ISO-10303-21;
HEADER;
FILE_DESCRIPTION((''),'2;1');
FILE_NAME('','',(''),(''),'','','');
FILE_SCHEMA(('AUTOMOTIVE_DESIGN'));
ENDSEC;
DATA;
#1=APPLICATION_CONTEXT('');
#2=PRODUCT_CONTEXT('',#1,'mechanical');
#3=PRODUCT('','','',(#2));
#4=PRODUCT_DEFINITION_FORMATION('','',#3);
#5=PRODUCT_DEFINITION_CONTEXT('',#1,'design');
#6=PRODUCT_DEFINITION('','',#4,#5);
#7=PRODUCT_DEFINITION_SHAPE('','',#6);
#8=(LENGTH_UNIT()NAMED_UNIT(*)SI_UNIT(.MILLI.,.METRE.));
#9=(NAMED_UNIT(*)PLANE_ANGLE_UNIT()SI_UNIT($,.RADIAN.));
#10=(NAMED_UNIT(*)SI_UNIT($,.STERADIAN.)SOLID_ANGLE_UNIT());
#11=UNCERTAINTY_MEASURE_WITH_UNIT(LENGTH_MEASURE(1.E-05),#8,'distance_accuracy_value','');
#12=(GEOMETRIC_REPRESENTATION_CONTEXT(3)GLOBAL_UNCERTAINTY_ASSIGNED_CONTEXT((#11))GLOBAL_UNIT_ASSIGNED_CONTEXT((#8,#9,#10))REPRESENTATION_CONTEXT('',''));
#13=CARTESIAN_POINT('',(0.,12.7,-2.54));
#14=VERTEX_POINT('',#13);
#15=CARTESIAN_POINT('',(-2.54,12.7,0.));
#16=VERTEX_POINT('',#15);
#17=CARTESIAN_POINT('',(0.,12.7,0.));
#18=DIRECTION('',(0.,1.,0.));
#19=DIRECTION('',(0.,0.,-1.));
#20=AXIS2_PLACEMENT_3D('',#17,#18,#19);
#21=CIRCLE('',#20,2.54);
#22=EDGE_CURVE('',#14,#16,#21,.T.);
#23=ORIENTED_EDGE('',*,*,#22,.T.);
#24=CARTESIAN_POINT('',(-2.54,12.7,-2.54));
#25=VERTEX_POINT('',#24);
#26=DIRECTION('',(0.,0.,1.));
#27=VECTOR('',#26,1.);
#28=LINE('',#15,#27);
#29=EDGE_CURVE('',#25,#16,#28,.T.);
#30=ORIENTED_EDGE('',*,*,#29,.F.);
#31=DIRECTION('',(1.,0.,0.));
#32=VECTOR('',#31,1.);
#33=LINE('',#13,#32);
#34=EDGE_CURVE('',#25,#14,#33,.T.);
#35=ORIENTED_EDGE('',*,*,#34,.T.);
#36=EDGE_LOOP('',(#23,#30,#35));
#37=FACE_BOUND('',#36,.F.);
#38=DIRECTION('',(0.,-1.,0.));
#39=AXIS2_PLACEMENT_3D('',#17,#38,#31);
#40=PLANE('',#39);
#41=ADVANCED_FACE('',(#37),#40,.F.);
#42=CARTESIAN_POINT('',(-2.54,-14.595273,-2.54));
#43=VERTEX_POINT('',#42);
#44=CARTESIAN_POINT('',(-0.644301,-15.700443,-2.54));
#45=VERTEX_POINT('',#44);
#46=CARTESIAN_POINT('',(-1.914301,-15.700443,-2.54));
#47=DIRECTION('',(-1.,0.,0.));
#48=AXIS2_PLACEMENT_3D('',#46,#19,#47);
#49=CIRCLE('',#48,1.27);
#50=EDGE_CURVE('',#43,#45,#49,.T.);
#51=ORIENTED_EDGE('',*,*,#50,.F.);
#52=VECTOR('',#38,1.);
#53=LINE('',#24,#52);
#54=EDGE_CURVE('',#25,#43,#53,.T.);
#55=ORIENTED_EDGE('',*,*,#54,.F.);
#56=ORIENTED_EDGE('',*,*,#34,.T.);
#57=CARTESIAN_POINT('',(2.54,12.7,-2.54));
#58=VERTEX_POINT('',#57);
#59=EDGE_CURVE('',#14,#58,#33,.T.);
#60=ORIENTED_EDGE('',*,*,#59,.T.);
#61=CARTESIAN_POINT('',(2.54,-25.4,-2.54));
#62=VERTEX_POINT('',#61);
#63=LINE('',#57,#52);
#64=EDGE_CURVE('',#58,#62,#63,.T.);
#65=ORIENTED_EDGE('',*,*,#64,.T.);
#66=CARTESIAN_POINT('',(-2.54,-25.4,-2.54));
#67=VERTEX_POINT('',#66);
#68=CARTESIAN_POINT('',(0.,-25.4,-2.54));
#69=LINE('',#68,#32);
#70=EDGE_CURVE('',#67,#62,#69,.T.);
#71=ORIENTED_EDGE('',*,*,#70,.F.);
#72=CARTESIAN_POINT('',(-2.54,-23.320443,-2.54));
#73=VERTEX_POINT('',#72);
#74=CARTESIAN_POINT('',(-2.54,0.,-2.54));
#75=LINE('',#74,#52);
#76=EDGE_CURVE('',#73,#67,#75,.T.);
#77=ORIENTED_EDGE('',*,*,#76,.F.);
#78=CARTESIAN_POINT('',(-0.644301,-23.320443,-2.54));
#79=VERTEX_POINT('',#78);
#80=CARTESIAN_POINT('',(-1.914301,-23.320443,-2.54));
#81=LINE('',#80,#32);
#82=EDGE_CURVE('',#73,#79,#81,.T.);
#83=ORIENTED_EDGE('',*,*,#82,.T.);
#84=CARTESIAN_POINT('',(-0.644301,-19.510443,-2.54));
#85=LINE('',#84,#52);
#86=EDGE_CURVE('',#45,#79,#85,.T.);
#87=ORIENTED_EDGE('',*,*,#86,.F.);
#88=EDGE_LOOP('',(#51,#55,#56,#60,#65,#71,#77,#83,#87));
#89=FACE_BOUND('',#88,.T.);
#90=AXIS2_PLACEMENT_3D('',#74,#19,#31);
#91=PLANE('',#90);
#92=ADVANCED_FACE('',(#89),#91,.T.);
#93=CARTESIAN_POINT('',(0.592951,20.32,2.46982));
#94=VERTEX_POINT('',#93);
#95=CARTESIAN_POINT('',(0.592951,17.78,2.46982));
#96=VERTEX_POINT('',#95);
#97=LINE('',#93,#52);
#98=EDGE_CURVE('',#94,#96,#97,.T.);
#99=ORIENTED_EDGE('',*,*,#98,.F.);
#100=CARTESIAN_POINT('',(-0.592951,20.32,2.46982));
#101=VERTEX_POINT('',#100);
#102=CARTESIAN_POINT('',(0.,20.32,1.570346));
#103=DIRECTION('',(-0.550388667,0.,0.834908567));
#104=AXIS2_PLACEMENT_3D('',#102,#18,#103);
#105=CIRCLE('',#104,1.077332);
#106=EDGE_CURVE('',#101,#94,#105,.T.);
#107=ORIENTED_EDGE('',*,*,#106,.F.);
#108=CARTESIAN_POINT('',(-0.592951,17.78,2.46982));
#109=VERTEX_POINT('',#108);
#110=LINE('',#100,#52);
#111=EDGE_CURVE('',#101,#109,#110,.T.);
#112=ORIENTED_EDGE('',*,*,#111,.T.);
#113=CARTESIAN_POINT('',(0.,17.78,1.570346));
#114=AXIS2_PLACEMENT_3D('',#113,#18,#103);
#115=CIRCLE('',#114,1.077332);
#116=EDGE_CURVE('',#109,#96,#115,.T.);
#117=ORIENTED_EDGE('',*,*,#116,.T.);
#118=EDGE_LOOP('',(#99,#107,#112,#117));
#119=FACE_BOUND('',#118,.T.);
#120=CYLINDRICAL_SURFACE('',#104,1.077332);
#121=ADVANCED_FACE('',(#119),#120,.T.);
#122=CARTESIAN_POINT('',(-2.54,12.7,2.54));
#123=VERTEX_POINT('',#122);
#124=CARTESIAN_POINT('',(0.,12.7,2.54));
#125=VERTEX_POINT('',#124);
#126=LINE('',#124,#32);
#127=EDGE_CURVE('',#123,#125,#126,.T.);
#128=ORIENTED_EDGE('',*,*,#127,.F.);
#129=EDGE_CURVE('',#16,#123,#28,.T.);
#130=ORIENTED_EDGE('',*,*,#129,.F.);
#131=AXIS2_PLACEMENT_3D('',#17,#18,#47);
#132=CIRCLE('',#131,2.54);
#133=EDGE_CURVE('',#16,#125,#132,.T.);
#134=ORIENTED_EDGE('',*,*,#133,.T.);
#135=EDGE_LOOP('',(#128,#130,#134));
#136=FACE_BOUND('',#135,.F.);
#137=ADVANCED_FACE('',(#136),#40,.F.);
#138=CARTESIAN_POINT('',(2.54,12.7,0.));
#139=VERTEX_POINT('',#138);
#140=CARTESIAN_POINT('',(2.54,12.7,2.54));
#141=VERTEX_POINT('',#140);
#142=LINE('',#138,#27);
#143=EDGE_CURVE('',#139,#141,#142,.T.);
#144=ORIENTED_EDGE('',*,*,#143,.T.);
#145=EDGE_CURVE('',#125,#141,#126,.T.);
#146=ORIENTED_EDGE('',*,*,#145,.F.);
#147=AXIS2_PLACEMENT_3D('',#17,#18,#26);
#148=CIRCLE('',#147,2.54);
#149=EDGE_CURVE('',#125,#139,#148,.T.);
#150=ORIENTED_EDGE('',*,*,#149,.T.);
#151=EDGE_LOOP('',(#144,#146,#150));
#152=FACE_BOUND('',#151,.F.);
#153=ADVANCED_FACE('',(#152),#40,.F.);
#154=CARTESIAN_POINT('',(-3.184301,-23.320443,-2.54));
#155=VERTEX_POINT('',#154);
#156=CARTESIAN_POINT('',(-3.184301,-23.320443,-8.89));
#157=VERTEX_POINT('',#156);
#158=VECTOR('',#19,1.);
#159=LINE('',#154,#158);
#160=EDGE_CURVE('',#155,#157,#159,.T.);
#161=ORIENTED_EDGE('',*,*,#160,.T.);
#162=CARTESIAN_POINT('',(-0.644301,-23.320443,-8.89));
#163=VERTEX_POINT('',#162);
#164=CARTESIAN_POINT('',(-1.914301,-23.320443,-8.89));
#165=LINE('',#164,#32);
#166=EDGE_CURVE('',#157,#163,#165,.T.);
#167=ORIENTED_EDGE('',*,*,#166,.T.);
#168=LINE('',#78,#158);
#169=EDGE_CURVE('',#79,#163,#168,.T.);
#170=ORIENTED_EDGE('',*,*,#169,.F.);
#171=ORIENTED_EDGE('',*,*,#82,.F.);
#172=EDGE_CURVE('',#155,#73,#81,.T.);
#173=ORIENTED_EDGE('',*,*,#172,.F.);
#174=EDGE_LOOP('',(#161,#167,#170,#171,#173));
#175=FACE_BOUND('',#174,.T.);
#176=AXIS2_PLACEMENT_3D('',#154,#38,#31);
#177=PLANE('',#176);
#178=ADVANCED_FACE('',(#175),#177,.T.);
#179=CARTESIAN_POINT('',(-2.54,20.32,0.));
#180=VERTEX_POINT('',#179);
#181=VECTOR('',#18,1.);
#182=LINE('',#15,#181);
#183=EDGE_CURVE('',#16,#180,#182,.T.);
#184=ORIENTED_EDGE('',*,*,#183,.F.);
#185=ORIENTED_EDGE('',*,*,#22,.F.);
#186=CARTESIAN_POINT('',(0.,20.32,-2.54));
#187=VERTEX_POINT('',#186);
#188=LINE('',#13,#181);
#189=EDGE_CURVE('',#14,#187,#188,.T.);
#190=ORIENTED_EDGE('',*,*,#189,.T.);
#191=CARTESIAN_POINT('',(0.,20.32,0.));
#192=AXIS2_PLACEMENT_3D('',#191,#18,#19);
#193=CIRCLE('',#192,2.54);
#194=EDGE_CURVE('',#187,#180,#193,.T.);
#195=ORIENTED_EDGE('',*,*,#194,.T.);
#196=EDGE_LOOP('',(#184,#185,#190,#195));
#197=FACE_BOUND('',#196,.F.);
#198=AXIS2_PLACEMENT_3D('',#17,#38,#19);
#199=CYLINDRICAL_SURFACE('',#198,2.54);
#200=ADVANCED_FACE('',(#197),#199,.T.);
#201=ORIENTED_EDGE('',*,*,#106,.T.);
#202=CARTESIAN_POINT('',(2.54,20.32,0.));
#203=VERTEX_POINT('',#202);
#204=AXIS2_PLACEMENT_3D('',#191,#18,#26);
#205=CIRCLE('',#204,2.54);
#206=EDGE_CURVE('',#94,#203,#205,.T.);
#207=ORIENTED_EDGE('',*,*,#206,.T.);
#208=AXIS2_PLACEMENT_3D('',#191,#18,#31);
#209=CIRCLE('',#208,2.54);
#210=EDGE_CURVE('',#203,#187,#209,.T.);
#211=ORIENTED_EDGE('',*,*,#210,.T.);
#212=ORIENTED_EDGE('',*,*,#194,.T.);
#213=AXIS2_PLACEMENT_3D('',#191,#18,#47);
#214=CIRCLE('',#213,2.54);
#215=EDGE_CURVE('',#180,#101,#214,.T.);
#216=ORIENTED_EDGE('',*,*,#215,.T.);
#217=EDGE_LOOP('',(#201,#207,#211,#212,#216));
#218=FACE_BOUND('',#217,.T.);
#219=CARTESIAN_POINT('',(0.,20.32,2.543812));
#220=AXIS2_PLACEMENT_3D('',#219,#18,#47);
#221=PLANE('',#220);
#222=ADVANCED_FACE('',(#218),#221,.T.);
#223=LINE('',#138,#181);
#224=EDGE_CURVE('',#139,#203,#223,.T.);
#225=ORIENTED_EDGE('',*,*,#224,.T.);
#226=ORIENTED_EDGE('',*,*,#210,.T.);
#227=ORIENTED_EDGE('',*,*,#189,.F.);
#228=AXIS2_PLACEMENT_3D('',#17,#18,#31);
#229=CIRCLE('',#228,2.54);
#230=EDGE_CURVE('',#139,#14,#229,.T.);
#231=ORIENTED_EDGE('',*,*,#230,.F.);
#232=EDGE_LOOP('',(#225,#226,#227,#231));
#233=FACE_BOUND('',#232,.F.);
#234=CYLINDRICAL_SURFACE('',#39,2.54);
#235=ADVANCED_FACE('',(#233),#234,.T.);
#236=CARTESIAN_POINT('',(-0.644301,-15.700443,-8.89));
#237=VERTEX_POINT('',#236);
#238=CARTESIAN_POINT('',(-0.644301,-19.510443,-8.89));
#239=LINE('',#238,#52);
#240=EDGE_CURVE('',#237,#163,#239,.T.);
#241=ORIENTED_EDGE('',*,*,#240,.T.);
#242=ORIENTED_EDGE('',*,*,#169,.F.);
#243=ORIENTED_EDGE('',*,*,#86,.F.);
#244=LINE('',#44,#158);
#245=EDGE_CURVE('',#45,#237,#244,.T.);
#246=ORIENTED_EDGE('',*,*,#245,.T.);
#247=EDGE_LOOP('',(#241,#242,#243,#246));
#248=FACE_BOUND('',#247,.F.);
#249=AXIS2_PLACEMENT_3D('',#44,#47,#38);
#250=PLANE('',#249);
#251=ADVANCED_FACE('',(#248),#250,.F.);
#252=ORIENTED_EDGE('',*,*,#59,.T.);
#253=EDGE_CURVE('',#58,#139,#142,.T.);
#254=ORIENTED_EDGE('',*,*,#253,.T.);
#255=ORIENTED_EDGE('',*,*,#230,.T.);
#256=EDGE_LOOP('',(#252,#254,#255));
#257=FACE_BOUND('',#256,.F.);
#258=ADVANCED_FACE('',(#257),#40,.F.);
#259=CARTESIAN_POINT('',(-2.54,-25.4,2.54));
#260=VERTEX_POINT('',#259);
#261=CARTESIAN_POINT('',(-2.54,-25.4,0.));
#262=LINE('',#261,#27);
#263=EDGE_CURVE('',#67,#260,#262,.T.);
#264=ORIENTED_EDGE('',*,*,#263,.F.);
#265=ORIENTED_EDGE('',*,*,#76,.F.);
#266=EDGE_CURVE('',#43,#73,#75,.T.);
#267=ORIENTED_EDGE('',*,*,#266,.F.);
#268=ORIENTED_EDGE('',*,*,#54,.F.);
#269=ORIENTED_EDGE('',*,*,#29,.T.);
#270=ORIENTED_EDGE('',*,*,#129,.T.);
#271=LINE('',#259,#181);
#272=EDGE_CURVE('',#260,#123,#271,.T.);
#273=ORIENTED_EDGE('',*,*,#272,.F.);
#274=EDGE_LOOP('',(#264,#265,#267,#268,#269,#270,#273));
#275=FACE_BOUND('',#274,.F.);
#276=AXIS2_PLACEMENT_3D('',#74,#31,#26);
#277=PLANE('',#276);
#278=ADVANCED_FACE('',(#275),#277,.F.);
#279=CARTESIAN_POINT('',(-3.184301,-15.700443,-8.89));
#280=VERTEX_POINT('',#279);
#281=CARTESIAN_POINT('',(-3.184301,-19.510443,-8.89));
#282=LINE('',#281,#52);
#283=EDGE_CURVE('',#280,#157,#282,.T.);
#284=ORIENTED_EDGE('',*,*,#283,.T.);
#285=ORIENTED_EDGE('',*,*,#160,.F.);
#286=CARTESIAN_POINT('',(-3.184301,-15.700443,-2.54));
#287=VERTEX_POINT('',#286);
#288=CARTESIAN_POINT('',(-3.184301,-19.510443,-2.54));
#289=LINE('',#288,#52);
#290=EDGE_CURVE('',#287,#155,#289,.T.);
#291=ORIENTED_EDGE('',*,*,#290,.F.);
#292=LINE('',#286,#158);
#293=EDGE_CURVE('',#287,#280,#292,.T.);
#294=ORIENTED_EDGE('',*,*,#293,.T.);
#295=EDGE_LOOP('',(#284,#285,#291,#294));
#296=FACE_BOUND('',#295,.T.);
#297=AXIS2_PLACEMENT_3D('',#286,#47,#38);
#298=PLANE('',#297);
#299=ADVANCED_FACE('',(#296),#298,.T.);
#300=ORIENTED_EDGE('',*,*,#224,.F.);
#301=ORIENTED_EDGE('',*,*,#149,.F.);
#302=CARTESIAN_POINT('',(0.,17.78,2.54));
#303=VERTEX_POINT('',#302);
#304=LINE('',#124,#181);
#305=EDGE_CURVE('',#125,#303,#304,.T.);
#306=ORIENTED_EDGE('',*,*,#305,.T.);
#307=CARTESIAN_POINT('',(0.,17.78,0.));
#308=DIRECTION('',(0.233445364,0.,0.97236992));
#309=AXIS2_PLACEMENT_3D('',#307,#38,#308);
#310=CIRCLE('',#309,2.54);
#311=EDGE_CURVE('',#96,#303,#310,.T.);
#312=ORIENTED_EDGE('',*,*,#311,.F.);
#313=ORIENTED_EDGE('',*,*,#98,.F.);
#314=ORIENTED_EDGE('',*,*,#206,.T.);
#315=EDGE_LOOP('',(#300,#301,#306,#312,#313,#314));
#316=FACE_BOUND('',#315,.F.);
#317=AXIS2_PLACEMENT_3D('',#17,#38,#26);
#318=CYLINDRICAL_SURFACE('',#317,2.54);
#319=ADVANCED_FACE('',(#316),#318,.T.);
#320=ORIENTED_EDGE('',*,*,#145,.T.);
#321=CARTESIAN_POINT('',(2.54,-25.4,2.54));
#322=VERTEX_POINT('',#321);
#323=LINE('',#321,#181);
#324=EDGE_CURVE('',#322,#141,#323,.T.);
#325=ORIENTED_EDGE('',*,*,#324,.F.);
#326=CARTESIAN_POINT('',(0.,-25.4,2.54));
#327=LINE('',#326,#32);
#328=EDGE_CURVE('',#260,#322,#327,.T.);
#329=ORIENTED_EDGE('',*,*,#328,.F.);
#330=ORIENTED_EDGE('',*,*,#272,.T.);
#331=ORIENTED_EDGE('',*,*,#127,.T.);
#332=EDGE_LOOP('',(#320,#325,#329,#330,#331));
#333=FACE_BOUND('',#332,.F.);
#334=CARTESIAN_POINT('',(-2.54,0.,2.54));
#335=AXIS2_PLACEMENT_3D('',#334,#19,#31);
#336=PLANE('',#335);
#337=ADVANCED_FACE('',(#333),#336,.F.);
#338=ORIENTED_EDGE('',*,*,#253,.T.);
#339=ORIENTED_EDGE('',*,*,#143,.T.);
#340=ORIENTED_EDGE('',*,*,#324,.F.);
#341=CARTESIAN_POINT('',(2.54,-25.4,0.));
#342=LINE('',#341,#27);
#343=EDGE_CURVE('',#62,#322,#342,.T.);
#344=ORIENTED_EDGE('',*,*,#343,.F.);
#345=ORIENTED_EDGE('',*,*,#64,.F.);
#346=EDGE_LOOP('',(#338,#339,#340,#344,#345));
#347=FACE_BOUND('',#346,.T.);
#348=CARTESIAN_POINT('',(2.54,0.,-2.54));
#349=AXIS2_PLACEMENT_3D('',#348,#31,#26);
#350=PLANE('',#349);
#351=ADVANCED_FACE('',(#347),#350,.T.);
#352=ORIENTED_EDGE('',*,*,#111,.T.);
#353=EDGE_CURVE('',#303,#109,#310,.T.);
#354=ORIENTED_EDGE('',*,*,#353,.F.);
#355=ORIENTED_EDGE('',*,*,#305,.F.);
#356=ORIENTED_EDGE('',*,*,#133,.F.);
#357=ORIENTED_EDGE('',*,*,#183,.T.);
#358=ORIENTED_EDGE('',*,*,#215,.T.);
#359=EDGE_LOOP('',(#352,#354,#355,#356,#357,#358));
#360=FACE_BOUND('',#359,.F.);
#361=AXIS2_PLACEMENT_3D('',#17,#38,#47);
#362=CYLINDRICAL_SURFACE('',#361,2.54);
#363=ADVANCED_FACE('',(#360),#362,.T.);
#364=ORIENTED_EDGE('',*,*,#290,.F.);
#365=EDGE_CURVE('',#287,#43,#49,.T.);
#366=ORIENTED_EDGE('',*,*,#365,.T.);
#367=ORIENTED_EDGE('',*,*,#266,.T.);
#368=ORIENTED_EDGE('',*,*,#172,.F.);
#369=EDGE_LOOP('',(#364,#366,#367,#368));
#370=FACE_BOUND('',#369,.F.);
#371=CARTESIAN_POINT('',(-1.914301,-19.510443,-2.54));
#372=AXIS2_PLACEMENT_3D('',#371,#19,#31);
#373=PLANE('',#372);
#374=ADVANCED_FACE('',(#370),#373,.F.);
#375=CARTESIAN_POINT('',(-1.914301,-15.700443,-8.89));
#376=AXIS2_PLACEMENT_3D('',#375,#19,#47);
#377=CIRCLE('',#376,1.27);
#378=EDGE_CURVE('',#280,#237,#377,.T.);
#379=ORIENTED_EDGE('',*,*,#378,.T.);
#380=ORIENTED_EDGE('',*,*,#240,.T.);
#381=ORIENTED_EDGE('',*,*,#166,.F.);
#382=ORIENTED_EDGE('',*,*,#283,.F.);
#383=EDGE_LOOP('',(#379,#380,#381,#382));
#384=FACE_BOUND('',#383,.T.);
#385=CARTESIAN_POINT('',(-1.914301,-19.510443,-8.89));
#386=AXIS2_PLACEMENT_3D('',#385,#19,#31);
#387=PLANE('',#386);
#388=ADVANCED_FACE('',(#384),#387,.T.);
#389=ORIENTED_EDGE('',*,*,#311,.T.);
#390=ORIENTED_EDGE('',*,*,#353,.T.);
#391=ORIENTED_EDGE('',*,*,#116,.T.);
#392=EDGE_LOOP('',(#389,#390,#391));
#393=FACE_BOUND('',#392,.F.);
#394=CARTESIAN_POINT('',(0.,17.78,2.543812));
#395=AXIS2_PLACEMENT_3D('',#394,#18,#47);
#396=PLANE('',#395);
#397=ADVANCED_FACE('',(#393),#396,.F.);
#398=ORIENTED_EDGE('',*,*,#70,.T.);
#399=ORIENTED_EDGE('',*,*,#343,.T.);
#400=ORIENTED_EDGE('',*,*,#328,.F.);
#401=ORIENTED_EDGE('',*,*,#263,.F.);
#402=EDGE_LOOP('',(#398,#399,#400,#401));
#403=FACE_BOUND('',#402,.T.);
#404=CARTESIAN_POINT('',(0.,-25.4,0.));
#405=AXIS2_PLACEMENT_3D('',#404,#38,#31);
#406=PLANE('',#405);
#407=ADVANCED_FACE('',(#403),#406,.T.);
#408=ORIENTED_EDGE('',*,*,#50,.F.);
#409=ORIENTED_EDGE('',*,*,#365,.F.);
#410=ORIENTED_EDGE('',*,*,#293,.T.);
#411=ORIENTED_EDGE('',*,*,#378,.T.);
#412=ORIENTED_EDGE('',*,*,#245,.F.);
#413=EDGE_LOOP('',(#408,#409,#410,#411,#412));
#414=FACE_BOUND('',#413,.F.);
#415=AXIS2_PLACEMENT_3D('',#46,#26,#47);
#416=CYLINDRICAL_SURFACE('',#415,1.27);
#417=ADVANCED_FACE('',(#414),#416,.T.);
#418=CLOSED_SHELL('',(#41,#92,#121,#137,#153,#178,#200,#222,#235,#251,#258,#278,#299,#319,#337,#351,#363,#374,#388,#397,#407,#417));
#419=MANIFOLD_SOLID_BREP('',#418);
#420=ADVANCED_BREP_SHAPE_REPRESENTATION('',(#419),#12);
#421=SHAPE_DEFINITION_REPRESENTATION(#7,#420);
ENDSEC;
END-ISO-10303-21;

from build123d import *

# Parameters (mm, degrees)
F0_W     = 5.08
F0_H     = 5.08
F1_DEPTH = 25.4
F2_W     = 2.54
F2_H     = 7.62
F3_DEPTH = 6.35
F4_DEPTH = 12.7
F6_DEPTH = 7.62
F8_DEPTH = 2.54


with BuildPart() as f1:
    # F0 (on Front) → F1 (new body)
    with BuildSketch(Plane.XZ):
        Rectangle(F0_W, F0_H)
    extrude(amount=F1_DEPTH)

    # F2 (on face) → F3 (join)
    with BuildSketch(Plane(origin=(0, 0, -2.54), x_dir=(1, 0, 0), z_dir=(0, 0, -1))):
        with Locations((-1.9143006529, 19.5104427957)):
            Rectangle(F2_W, F2_H)
        with BuildLine():
            Line((-0.6443006529, 15.7004427957), (-3.1843006529, 15.7004427957))
            ThreePointArc((-3.1843006529, 15.7004427957), (-1.9143006529, 14.4304427957), (-0.6443006529, 15.7004427957))
        make_face()
    extrude(amount=F3_DEPTH)

    # F4 (add): a face of the model
    f4_faces = [f1.faces().sort_by_distance(p)[0] for p in [
        (0, 0, 0),
    ]]
    extrude(f4_faces, amount=F4_DEPTH)

    # F5 (on face) → F6 (join)
    with BuildSketch(Plane(origin=(0, 12.7, 0), x_dir=(-1, 0, 0), z_dir=(0, 1, 0))):
        with BuildLine():
            ThreePointArc((0, -2.54), (1.7960512242, -1.7960512242), (2.54, 0))
            ThreePointArc((2.54, 0), (1.7960512242, 1.7960512242), (0, 2.54))
            ThreePointArc((0, 2.54), (-1.7960512242, 1.7960512242), (-2.54, 0))
            ThreePointArc((-2.54, 0), (-1.7960512242, -1.7960512242), (0, -2.54))
        make_face()
    extrude(amount=F6_DEPTH)

    # F7 (on face) → F8 (join)
    with BuildSketch(Plane(origin=(0, 20.32, 0), x_dir=(-1, 0, 0), z_dir=(0, 1, 0))):
        with BuildLine():
            ThreePointArc((0.5929512242, 2.4698195978), (0, 2.6476778516), (-0.5929512242, 2.4698195978))
            ThreePointArc((-0.5929512242, 2.4698195978), (0, 2.54), (0.5929512242, 2.4698195978))
        make_face()
    extrude(amount=-F8_DEPTH)


solid = f1.part
